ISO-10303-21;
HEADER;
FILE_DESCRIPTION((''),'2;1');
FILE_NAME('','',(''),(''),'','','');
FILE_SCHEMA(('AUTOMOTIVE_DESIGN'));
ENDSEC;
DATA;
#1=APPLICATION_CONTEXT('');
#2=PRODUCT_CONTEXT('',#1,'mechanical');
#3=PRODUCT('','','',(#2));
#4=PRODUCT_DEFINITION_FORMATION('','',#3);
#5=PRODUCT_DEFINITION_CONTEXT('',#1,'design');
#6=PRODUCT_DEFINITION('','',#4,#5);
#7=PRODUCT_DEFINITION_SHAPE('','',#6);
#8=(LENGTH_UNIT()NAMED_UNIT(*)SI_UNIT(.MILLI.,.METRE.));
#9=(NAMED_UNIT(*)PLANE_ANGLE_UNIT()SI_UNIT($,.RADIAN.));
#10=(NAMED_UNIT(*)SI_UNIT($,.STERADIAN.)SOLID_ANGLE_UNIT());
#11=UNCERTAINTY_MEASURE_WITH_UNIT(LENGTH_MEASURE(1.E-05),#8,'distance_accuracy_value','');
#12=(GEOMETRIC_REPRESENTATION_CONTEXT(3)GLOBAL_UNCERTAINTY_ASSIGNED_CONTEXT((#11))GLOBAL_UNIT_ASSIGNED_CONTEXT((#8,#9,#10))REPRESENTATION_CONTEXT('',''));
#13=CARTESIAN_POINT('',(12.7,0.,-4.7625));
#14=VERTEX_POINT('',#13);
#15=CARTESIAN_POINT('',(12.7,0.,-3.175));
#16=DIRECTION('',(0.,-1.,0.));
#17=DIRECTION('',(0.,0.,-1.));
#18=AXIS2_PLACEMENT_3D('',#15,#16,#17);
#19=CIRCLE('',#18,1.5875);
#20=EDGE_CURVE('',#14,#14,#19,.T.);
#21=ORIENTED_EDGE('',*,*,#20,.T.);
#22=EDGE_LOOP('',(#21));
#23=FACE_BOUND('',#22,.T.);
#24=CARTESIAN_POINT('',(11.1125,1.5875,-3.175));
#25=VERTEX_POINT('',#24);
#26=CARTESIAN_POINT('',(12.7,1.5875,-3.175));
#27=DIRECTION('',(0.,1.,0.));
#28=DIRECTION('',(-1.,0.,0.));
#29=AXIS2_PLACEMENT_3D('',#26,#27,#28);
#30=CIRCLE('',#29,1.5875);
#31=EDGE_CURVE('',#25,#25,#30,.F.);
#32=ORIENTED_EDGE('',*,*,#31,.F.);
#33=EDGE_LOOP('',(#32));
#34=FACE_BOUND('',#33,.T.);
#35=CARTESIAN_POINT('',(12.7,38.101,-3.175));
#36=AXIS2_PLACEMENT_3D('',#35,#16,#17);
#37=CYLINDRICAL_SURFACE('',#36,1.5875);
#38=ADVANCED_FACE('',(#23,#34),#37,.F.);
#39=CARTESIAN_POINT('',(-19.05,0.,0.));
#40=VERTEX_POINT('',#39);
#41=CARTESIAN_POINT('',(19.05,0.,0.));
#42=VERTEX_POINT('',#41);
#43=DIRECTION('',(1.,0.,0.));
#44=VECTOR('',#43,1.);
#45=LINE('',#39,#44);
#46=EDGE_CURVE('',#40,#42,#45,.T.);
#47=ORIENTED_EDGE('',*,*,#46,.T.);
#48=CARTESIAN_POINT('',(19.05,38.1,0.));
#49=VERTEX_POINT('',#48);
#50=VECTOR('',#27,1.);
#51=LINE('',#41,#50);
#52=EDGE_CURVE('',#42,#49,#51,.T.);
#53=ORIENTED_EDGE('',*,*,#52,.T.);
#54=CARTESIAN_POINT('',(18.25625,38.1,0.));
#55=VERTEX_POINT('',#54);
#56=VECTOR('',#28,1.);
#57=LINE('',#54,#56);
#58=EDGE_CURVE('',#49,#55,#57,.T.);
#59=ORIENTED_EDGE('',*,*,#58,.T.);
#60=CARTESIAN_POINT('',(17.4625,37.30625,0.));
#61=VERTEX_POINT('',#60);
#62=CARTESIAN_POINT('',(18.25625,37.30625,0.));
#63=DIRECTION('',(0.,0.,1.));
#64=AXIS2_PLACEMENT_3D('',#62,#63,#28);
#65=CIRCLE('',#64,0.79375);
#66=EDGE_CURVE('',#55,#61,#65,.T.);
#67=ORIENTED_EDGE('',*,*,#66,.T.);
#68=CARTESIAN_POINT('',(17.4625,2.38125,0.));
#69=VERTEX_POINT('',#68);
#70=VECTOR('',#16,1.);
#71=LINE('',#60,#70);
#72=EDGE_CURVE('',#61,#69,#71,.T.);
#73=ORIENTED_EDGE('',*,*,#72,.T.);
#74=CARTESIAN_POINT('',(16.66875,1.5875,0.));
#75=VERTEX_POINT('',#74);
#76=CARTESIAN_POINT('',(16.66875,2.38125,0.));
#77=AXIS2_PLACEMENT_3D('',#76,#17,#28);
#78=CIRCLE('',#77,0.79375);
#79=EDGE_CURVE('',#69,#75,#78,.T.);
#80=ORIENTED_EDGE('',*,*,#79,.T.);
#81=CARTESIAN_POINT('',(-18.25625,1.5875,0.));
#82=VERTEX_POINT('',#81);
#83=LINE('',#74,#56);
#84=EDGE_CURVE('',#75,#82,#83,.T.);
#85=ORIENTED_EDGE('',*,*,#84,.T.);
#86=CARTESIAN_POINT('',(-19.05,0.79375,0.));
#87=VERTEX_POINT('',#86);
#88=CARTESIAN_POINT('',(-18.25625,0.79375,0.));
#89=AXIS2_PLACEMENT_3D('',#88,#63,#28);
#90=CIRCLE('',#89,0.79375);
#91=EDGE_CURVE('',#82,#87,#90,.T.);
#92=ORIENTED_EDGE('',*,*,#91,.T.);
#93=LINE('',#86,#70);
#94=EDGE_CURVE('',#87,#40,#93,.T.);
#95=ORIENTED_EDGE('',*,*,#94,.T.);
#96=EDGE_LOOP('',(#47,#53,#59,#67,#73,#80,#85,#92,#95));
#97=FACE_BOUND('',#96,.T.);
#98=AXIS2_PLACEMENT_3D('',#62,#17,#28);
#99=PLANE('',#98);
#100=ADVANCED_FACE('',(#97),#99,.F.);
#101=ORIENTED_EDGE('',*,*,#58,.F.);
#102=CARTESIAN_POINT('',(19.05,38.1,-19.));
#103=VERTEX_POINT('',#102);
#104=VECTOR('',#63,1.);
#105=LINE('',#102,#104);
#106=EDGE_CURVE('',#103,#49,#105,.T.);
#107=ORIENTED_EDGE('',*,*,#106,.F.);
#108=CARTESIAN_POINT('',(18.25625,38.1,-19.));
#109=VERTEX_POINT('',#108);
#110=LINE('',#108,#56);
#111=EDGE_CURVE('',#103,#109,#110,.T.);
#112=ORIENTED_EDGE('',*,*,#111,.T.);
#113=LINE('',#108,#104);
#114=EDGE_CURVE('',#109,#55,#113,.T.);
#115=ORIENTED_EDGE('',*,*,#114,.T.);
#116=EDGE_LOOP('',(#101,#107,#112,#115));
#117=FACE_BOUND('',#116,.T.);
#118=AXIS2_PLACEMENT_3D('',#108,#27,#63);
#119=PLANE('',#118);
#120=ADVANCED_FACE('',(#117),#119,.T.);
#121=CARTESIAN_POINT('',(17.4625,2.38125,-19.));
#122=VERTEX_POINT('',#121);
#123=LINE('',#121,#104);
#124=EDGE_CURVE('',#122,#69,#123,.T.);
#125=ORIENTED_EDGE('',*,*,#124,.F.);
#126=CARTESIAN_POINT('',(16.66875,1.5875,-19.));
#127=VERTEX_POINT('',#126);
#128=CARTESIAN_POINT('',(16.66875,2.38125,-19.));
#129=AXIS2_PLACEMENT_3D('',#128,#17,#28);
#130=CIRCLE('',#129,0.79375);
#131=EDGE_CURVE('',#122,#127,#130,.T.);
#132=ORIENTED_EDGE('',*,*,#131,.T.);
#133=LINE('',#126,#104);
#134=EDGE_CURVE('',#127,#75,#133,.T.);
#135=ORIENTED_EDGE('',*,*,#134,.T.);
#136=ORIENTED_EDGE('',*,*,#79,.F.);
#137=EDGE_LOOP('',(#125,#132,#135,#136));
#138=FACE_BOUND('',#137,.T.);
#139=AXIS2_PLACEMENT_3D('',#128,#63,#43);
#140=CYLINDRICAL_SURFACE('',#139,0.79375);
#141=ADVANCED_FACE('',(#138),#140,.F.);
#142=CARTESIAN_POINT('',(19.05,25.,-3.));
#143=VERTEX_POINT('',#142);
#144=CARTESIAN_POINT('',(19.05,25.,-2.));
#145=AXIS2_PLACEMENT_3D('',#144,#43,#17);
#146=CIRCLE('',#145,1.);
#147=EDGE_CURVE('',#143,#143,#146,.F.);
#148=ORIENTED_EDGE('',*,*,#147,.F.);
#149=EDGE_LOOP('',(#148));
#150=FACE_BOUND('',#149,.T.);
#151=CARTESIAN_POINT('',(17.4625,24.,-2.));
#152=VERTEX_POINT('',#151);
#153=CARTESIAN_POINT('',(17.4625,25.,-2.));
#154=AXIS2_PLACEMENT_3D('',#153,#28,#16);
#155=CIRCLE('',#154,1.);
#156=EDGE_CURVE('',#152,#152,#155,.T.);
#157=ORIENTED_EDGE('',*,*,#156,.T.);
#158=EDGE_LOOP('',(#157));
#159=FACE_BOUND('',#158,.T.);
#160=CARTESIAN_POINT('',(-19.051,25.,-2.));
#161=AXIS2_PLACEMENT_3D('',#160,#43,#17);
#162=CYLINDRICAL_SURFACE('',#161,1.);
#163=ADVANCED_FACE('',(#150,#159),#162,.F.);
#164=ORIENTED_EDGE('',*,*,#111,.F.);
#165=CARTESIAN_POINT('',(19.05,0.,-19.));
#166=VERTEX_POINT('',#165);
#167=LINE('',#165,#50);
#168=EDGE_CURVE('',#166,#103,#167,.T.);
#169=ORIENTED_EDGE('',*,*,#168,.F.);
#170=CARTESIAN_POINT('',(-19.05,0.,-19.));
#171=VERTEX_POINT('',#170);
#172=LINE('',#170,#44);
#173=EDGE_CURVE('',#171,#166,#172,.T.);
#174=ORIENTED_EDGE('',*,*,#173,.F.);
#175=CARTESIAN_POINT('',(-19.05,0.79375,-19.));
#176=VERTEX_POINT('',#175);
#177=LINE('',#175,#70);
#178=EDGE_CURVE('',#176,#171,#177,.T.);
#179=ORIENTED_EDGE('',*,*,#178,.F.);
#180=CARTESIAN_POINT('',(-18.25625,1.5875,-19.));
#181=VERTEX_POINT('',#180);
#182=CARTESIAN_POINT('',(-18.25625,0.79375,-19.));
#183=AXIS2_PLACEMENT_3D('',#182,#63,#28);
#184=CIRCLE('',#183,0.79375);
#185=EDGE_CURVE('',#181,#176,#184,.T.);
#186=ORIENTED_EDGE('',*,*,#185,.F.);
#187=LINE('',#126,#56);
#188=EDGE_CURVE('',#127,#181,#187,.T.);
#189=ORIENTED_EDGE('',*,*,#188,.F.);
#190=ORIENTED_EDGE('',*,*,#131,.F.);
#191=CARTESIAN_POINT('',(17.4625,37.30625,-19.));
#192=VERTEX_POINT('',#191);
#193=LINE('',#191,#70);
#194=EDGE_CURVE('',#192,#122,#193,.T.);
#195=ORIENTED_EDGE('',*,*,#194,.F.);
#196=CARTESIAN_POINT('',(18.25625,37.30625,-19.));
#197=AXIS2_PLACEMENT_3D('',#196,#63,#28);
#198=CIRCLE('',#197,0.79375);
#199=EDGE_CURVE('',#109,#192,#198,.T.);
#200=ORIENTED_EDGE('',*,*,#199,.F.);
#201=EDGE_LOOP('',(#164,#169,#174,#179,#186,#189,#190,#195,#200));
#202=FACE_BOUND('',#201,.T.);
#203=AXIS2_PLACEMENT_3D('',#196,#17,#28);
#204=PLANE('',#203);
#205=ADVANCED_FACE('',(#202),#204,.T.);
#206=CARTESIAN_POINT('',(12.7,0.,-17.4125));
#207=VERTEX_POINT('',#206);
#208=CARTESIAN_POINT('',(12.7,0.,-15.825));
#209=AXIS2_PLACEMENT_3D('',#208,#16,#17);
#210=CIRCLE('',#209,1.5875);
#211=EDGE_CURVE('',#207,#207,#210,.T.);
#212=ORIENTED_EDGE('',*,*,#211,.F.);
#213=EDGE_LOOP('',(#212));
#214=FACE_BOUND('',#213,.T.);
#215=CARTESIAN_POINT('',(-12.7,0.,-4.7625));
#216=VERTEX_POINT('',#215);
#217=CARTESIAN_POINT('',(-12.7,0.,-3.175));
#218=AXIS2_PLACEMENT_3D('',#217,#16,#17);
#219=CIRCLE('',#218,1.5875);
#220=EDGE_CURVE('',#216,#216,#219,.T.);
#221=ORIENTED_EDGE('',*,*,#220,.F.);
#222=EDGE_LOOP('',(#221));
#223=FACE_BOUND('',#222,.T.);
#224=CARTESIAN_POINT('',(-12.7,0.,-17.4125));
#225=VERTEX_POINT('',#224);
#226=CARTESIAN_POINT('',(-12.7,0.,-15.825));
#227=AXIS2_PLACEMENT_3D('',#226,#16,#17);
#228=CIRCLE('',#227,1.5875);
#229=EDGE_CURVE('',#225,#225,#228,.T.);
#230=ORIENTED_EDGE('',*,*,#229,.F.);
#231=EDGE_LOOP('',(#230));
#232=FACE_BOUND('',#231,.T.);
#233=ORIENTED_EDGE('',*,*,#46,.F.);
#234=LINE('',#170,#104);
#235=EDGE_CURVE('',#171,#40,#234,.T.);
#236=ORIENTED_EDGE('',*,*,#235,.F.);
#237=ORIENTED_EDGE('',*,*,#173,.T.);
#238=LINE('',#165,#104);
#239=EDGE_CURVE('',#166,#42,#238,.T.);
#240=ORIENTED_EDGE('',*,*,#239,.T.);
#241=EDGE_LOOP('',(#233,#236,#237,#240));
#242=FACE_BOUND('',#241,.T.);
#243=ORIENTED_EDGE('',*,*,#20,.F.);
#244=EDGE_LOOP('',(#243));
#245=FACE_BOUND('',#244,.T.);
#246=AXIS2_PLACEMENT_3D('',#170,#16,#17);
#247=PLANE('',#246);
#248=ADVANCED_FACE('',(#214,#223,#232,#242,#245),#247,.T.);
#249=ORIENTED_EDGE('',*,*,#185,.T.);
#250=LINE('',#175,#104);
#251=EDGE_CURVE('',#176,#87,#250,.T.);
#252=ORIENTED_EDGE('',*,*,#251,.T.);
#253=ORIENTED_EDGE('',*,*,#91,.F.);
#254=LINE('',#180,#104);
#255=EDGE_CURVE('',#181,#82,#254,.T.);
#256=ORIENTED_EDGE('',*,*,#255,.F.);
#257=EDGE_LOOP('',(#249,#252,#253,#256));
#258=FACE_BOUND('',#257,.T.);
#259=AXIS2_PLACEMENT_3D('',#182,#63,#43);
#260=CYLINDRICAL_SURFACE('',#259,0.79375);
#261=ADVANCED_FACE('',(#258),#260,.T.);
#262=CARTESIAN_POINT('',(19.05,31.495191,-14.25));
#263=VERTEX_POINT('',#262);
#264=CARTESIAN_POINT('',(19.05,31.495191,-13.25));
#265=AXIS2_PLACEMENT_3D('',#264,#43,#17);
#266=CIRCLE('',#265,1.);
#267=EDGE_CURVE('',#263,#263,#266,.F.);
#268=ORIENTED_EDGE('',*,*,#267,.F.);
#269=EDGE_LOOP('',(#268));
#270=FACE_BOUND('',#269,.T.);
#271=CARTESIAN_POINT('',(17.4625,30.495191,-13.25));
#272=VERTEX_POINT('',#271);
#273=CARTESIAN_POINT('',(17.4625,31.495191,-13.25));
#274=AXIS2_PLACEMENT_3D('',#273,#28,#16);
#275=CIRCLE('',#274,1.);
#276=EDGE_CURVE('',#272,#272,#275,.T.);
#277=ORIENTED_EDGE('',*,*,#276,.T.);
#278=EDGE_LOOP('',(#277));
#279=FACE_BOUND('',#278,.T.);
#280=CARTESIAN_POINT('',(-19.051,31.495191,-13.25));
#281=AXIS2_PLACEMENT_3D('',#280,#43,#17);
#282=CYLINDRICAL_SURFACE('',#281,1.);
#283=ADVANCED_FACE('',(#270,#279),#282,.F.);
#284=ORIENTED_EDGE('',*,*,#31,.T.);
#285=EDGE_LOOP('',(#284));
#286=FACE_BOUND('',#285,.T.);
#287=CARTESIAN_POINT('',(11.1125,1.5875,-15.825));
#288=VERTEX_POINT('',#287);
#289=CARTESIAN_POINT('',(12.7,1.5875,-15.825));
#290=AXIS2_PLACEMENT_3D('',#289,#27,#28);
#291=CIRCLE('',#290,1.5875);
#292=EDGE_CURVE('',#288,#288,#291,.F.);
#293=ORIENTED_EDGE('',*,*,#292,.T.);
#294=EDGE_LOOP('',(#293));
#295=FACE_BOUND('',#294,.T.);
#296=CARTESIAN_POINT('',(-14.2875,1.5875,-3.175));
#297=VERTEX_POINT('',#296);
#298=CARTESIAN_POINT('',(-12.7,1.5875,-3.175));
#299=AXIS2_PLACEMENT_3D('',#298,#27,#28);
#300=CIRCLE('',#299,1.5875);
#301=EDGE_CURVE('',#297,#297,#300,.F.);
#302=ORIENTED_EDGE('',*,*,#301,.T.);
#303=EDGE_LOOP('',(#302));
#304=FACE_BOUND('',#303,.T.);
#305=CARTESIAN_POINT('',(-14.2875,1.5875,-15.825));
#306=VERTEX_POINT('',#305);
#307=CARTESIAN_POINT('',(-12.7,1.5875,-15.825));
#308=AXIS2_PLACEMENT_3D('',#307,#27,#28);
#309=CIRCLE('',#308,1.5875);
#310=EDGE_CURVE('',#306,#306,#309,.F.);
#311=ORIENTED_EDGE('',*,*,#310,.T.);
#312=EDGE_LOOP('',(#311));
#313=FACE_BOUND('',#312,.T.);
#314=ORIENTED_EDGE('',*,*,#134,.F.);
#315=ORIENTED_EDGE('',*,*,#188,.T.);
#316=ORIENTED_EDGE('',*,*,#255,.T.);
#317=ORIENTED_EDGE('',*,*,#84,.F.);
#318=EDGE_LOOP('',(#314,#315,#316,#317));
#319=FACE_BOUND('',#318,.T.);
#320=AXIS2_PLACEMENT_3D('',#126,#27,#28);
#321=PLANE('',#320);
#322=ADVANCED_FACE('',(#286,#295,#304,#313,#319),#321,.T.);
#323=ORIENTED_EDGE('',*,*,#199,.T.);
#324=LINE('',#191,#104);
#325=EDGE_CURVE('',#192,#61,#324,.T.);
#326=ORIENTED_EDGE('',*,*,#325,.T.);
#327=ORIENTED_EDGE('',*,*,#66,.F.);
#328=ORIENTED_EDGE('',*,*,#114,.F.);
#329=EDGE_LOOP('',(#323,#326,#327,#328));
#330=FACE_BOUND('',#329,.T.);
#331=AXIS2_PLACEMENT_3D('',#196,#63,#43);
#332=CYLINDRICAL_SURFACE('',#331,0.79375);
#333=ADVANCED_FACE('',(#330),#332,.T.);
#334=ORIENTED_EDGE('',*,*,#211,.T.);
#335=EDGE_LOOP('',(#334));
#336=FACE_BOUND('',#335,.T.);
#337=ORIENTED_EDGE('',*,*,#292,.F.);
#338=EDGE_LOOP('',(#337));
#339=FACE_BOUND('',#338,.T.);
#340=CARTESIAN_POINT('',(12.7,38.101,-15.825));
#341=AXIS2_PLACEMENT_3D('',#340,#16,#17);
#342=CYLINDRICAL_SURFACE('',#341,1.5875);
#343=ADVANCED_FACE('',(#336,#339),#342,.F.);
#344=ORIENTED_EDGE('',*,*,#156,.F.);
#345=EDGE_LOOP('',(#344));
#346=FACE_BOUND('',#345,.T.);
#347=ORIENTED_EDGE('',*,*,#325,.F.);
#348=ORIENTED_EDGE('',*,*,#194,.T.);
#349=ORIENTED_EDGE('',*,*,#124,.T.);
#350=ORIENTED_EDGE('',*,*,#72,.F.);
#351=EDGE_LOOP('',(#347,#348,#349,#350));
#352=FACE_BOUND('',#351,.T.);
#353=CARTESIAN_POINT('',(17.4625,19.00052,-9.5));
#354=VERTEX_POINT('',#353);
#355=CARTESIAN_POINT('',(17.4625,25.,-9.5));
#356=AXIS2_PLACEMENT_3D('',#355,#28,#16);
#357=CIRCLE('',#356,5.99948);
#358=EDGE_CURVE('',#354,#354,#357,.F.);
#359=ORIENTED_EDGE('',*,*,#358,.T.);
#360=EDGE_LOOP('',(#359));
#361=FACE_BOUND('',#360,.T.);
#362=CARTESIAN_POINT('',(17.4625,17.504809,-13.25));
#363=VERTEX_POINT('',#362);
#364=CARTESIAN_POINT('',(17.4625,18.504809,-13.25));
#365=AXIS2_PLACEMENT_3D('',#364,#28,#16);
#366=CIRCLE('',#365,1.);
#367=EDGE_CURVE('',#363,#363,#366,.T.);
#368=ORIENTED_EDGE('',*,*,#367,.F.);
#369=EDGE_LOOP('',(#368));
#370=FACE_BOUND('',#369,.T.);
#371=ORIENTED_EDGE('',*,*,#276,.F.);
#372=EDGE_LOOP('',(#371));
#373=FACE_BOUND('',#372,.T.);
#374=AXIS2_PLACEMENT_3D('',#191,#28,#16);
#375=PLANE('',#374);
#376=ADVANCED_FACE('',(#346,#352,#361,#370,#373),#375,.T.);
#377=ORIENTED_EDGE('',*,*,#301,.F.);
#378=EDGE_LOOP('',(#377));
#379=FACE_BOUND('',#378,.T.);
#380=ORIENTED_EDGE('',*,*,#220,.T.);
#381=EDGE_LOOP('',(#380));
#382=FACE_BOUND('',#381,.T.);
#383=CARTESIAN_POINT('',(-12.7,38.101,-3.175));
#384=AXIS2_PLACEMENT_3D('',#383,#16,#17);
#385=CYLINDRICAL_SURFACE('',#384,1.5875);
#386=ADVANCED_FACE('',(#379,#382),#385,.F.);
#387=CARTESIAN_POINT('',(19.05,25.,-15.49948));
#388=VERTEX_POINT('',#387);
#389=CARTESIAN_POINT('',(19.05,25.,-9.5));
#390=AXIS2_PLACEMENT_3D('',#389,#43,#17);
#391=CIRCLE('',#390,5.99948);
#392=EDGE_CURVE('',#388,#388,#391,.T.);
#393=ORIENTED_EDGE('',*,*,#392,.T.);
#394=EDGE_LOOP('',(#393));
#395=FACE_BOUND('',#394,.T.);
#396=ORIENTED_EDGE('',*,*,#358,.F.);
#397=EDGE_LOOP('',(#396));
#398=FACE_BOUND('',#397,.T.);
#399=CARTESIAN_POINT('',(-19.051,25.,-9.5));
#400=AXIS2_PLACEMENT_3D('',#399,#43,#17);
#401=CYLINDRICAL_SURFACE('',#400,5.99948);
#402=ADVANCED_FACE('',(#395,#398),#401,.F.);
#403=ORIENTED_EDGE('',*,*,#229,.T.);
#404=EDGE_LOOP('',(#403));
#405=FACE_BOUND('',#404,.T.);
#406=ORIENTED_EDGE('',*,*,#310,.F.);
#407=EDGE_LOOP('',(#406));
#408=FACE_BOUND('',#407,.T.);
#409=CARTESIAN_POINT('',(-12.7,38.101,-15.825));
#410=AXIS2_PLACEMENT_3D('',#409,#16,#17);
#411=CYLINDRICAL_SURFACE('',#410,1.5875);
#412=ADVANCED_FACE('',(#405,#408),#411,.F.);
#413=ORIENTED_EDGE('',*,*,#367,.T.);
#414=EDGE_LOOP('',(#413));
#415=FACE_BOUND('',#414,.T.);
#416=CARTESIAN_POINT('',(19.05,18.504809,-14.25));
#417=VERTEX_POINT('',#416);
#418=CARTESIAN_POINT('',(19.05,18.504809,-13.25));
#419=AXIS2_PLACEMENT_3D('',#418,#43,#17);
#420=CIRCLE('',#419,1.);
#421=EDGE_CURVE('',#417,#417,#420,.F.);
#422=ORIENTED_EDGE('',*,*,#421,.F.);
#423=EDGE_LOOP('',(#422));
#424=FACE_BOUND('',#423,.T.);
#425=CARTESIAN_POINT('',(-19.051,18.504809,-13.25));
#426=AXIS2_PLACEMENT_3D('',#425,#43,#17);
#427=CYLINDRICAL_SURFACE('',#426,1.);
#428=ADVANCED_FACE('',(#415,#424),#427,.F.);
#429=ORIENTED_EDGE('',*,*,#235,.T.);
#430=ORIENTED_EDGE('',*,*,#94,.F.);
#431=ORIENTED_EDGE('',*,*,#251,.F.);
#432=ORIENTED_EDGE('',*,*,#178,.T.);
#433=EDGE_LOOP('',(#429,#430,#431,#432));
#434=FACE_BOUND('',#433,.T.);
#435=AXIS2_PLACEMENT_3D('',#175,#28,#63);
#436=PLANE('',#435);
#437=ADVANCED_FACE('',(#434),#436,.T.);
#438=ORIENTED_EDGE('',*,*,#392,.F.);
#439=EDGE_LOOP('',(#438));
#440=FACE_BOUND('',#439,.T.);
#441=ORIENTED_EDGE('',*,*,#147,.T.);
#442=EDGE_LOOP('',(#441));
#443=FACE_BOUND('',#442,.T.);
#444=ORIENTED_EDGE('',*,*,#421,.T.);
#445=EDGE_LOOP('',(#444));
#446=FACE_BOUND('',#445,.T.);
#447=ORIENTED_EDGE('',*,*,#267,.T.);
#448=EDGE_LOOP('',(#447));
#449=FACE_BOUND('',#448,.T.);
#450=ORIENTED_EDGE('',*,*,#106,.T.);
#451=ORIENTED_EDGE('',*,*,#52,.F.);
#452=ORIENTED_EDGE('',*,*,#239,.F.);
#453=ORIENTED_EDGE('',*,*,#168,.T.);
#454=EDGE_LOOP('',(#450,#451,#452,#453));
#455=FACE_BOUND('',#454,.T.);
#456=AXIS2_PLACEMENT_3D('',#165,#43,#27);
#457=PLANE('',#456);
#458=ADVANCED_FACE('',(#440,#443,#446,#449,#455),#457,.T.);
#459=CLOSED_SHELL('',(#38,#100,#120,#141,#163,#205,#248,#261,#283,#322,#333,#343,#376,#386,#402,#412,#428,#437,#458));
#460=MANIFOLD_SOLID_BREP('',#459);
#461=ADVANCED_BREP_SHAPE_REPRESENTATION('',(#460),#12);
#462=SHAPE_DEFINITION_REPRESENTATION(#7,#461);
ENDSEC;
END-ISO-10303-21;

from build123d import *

# Parameters (mm, degrees)
BOSS_EXTRUDE1_DEPTH = 19
CUT_EXTRUDE1_REACH  = 40.1
SKETCH3_R           = 5.99948
CUT_EXTRUDE2_REACH  = 40.1
TOP_VIEW_R          = 1.5875


with BuildPart() as part:
    # Sketch2 → Boss-Extrude1 (new body)
    with BuildSketch(Plane.XY):
        with BuildLine():
            Line((-19.05, 0), (19.05, 0))
            Line((19.05, 0), (19.05, 38.1))
            Line((19.05, 38.1), (18.25625, 38.1))
            ThreePointArc((18.25625, 38.1), (17.694983992, 37.867516008), (17.4625, 37.30625))
            Line((17.4625, 37.30625), (17.4625, 2.38125))
            ThreePointArc((17.4625, 2.38125), (17.230016008, 1.819983992), (16.66875, 1.5875))
            Line((16.66875, 1.5875), (-18.25625, 1.5875))
            ThreePointArc((-18.25625, 1.5875), (-18.817516008, 1.355016008), (-19.05, 0.79375))
            Line((-19.05, 0.79375), (-19.05, 0))
        make_face()
    extrude(amount=-BOSS_EXTRUDE1_DEPTH)

    # Sketch3 → Cut-Extrude1 (cut, up to next)
    with BuildSketch(Plane(origin=(19.05, 0, 0), x_dir=(0, 0, -1), z_dir=(1, 0, 0)), mode=Mode.PRIVATE) as cut_extrude1_sk1:
        with Locations((9.5, 25)):
            Circle(SKETCH3_R)
    cut_extrude1_tool1 = extrude(cut_extrude1_sk1.sketch, amount=-CUT_EXTRUDE1_REACH, mode=Mode.PRIVATE) & part.part
    add(cut_extrude1_tool1.solids().sort_by_distance((19.05, 25, -9.5))[0], mode=Mode.SUBTRACT)
    # Sketch3 → Cut-Extrude1 (cut, up to next)
    with BuildSketch(Plane(origin=(19.05, 0, 0), x_dir=(0, 0, -1), z_dir=(1, 0, 0)), mode=Mode.PRIVATE) as cut_extrude1_sk2:
        with BuildLine():
            ThreePointArc((12.75, 30.629165125), (12.383974596, 31.995190528), (13.75, 32.361215932))
            ThreePointArc((13.75, 32.361215932), (14.116025404, 30.995190528), (12.75, 30.629165125))
        make_face()
    cut_extrude1_tool2 = extrude(cut_extrude1_sk2.sketch, amount=-CUT_EXTRUDE1_REACH, mode=Mode.PRIVATE) & part.part
    add(cut_extrude1_tool2.solids().sort_by_distance((19.05, 31.495191, -13.25))[0], mode=Mode.SUBTRACT)
    # Sketch3 → Cut-Extrude1 (cut, up to next)
    with BuildSketch(Plane(origin=(19.05, 0, 0), x_dir=(0, 0, -1), z_dir=(1, 0, 0)), mode=Mode.PRIVATE) as cut_extrude1_sk3:
        with BuildLine():
            ThreePointArc((12.75, 19.370834875), (14.116025404, 19.004809472), (13.75, 17.638784068))
            ThreePointArc((13.75, 17.638784068), (12.383974596, 18.004809472), (12.75, 19.370834875))
        make_face()
    cut_extrude1_tool3 = extrude(cut_extrude1_sk3.sketch, amount=-CUT_EXTRUDE1_REACH, mode=Mode.PRIVATE) & part.part
    add(cut_extrude1_tool3.solids().sort_by_distance((19.05, 18.504809, -13.25))[0], mode=Mode.SUBTRACT)
    # Sketch3 → Cut-Extrude1 (cut, up to next)
    with BuildSketch(Plane(origin=(19.05, 0, 0), x_dir=(0, 0, -1), z_dir=(1, 0, 0)), mode=Mode.PRIVATE) as cut_extrude1_sk4:
        with BuildLine():
            ThreePointArc((1, 25), (2, 26), (3, 25))
            ThreePointArc((3, 25), (2, 24), (1, 25))
        make_face()
    cut_extrude1_tool4 = extrude(cut_extrude1_sk4.sketch, amount=-CUT_EXTRUDE1_REACH, mode=Mode.PRIVATE) & part.part
    add(cut_extrude1_tool4.solids().sort_by_distance((19.05, 25, -2))[0], mode=Mode.SUBTRACT)

    # Top View → Cut-Extrude2 (cut, up to next)
    with BuildSketch(Plane.XZ, mode=Mode.PRIVATE) as cut_extrude2_sk1:
        with Locations((-12.7, -15.825)):
            Circle(TOP_VIEW_R)
    cut_extrude2_tool1 = extrude(cut_extrude2_sk1.sketch, amount=-CUT_EXTRUDE2_REACH, mode=Mode.PRIVATE) & part.part
    add(cut_extrude2_tool1.solids().sort_by_distance((-12.7, 0, -15.825))[0], mode=Mode.SUBTRACT)
    # Top View → Cut-Extrude2 (cut, up to next)
    with BuildSketch(Plane.XZ, mode=Mode.PRIVATE) as cut_extrude2_sk2:
        with Locations((12.7, -15.825)):
            Circle(TOP_VIEW_R)
    cut_extrude2_tool2 = extrude(cut_extrude2_sk2.sketch, amount=-CUT_EXTRUDE2_REACH, mode=Mode.PRIVATE) & part.part
    add(cut_extrude2_tool2.solids().sort_by_distance((12.7, 0, -15.825))[0], mode=Mode.SUBTRACT)
    # Top View → Cut-Extrude2 (cut, up to next)
    with BuildSketch(Plane.XZ, mode=Mode.PRIVATE) as cut_extrude2_sk3:
        with Locations((12.7, -3.175)):
            Circle(TOP_VIEW_R)
    cut_extrude2_tool3 = extrude(cut_extrude2_sk3.sketch, amount=-CUT_EXTRUDE2_REACH, mode=Mode.PRIVATE) & part.part
    add(cut_extrude2_tool3.solids().sort_by_distance((12.7, 0, -3.175))[0], mode=Mode.SUBTRACT)
    # Top View → Cut-Extrude2 (cut, up to next)
    with BuildSketch(Plane.XZ, mode=Mode.PRIVATE) as cut_extrude2_sk4:
        with Locations((-12.7, -3.175)):
            Circle(TOP_VIEW_R)
    cut_extrude2_tool4 = extrude(cut_extrude2_sk4.sketch, amount=-CUT_EXTRUDE2_REACH, mode=Mode.PRIVATE) & part.part
    add(cut_extrude2_tool4.solids().sort_by_distance((-12.7, 0, -3.175))[0], mode=Mode.SUBTRACT)


solid = part.part
